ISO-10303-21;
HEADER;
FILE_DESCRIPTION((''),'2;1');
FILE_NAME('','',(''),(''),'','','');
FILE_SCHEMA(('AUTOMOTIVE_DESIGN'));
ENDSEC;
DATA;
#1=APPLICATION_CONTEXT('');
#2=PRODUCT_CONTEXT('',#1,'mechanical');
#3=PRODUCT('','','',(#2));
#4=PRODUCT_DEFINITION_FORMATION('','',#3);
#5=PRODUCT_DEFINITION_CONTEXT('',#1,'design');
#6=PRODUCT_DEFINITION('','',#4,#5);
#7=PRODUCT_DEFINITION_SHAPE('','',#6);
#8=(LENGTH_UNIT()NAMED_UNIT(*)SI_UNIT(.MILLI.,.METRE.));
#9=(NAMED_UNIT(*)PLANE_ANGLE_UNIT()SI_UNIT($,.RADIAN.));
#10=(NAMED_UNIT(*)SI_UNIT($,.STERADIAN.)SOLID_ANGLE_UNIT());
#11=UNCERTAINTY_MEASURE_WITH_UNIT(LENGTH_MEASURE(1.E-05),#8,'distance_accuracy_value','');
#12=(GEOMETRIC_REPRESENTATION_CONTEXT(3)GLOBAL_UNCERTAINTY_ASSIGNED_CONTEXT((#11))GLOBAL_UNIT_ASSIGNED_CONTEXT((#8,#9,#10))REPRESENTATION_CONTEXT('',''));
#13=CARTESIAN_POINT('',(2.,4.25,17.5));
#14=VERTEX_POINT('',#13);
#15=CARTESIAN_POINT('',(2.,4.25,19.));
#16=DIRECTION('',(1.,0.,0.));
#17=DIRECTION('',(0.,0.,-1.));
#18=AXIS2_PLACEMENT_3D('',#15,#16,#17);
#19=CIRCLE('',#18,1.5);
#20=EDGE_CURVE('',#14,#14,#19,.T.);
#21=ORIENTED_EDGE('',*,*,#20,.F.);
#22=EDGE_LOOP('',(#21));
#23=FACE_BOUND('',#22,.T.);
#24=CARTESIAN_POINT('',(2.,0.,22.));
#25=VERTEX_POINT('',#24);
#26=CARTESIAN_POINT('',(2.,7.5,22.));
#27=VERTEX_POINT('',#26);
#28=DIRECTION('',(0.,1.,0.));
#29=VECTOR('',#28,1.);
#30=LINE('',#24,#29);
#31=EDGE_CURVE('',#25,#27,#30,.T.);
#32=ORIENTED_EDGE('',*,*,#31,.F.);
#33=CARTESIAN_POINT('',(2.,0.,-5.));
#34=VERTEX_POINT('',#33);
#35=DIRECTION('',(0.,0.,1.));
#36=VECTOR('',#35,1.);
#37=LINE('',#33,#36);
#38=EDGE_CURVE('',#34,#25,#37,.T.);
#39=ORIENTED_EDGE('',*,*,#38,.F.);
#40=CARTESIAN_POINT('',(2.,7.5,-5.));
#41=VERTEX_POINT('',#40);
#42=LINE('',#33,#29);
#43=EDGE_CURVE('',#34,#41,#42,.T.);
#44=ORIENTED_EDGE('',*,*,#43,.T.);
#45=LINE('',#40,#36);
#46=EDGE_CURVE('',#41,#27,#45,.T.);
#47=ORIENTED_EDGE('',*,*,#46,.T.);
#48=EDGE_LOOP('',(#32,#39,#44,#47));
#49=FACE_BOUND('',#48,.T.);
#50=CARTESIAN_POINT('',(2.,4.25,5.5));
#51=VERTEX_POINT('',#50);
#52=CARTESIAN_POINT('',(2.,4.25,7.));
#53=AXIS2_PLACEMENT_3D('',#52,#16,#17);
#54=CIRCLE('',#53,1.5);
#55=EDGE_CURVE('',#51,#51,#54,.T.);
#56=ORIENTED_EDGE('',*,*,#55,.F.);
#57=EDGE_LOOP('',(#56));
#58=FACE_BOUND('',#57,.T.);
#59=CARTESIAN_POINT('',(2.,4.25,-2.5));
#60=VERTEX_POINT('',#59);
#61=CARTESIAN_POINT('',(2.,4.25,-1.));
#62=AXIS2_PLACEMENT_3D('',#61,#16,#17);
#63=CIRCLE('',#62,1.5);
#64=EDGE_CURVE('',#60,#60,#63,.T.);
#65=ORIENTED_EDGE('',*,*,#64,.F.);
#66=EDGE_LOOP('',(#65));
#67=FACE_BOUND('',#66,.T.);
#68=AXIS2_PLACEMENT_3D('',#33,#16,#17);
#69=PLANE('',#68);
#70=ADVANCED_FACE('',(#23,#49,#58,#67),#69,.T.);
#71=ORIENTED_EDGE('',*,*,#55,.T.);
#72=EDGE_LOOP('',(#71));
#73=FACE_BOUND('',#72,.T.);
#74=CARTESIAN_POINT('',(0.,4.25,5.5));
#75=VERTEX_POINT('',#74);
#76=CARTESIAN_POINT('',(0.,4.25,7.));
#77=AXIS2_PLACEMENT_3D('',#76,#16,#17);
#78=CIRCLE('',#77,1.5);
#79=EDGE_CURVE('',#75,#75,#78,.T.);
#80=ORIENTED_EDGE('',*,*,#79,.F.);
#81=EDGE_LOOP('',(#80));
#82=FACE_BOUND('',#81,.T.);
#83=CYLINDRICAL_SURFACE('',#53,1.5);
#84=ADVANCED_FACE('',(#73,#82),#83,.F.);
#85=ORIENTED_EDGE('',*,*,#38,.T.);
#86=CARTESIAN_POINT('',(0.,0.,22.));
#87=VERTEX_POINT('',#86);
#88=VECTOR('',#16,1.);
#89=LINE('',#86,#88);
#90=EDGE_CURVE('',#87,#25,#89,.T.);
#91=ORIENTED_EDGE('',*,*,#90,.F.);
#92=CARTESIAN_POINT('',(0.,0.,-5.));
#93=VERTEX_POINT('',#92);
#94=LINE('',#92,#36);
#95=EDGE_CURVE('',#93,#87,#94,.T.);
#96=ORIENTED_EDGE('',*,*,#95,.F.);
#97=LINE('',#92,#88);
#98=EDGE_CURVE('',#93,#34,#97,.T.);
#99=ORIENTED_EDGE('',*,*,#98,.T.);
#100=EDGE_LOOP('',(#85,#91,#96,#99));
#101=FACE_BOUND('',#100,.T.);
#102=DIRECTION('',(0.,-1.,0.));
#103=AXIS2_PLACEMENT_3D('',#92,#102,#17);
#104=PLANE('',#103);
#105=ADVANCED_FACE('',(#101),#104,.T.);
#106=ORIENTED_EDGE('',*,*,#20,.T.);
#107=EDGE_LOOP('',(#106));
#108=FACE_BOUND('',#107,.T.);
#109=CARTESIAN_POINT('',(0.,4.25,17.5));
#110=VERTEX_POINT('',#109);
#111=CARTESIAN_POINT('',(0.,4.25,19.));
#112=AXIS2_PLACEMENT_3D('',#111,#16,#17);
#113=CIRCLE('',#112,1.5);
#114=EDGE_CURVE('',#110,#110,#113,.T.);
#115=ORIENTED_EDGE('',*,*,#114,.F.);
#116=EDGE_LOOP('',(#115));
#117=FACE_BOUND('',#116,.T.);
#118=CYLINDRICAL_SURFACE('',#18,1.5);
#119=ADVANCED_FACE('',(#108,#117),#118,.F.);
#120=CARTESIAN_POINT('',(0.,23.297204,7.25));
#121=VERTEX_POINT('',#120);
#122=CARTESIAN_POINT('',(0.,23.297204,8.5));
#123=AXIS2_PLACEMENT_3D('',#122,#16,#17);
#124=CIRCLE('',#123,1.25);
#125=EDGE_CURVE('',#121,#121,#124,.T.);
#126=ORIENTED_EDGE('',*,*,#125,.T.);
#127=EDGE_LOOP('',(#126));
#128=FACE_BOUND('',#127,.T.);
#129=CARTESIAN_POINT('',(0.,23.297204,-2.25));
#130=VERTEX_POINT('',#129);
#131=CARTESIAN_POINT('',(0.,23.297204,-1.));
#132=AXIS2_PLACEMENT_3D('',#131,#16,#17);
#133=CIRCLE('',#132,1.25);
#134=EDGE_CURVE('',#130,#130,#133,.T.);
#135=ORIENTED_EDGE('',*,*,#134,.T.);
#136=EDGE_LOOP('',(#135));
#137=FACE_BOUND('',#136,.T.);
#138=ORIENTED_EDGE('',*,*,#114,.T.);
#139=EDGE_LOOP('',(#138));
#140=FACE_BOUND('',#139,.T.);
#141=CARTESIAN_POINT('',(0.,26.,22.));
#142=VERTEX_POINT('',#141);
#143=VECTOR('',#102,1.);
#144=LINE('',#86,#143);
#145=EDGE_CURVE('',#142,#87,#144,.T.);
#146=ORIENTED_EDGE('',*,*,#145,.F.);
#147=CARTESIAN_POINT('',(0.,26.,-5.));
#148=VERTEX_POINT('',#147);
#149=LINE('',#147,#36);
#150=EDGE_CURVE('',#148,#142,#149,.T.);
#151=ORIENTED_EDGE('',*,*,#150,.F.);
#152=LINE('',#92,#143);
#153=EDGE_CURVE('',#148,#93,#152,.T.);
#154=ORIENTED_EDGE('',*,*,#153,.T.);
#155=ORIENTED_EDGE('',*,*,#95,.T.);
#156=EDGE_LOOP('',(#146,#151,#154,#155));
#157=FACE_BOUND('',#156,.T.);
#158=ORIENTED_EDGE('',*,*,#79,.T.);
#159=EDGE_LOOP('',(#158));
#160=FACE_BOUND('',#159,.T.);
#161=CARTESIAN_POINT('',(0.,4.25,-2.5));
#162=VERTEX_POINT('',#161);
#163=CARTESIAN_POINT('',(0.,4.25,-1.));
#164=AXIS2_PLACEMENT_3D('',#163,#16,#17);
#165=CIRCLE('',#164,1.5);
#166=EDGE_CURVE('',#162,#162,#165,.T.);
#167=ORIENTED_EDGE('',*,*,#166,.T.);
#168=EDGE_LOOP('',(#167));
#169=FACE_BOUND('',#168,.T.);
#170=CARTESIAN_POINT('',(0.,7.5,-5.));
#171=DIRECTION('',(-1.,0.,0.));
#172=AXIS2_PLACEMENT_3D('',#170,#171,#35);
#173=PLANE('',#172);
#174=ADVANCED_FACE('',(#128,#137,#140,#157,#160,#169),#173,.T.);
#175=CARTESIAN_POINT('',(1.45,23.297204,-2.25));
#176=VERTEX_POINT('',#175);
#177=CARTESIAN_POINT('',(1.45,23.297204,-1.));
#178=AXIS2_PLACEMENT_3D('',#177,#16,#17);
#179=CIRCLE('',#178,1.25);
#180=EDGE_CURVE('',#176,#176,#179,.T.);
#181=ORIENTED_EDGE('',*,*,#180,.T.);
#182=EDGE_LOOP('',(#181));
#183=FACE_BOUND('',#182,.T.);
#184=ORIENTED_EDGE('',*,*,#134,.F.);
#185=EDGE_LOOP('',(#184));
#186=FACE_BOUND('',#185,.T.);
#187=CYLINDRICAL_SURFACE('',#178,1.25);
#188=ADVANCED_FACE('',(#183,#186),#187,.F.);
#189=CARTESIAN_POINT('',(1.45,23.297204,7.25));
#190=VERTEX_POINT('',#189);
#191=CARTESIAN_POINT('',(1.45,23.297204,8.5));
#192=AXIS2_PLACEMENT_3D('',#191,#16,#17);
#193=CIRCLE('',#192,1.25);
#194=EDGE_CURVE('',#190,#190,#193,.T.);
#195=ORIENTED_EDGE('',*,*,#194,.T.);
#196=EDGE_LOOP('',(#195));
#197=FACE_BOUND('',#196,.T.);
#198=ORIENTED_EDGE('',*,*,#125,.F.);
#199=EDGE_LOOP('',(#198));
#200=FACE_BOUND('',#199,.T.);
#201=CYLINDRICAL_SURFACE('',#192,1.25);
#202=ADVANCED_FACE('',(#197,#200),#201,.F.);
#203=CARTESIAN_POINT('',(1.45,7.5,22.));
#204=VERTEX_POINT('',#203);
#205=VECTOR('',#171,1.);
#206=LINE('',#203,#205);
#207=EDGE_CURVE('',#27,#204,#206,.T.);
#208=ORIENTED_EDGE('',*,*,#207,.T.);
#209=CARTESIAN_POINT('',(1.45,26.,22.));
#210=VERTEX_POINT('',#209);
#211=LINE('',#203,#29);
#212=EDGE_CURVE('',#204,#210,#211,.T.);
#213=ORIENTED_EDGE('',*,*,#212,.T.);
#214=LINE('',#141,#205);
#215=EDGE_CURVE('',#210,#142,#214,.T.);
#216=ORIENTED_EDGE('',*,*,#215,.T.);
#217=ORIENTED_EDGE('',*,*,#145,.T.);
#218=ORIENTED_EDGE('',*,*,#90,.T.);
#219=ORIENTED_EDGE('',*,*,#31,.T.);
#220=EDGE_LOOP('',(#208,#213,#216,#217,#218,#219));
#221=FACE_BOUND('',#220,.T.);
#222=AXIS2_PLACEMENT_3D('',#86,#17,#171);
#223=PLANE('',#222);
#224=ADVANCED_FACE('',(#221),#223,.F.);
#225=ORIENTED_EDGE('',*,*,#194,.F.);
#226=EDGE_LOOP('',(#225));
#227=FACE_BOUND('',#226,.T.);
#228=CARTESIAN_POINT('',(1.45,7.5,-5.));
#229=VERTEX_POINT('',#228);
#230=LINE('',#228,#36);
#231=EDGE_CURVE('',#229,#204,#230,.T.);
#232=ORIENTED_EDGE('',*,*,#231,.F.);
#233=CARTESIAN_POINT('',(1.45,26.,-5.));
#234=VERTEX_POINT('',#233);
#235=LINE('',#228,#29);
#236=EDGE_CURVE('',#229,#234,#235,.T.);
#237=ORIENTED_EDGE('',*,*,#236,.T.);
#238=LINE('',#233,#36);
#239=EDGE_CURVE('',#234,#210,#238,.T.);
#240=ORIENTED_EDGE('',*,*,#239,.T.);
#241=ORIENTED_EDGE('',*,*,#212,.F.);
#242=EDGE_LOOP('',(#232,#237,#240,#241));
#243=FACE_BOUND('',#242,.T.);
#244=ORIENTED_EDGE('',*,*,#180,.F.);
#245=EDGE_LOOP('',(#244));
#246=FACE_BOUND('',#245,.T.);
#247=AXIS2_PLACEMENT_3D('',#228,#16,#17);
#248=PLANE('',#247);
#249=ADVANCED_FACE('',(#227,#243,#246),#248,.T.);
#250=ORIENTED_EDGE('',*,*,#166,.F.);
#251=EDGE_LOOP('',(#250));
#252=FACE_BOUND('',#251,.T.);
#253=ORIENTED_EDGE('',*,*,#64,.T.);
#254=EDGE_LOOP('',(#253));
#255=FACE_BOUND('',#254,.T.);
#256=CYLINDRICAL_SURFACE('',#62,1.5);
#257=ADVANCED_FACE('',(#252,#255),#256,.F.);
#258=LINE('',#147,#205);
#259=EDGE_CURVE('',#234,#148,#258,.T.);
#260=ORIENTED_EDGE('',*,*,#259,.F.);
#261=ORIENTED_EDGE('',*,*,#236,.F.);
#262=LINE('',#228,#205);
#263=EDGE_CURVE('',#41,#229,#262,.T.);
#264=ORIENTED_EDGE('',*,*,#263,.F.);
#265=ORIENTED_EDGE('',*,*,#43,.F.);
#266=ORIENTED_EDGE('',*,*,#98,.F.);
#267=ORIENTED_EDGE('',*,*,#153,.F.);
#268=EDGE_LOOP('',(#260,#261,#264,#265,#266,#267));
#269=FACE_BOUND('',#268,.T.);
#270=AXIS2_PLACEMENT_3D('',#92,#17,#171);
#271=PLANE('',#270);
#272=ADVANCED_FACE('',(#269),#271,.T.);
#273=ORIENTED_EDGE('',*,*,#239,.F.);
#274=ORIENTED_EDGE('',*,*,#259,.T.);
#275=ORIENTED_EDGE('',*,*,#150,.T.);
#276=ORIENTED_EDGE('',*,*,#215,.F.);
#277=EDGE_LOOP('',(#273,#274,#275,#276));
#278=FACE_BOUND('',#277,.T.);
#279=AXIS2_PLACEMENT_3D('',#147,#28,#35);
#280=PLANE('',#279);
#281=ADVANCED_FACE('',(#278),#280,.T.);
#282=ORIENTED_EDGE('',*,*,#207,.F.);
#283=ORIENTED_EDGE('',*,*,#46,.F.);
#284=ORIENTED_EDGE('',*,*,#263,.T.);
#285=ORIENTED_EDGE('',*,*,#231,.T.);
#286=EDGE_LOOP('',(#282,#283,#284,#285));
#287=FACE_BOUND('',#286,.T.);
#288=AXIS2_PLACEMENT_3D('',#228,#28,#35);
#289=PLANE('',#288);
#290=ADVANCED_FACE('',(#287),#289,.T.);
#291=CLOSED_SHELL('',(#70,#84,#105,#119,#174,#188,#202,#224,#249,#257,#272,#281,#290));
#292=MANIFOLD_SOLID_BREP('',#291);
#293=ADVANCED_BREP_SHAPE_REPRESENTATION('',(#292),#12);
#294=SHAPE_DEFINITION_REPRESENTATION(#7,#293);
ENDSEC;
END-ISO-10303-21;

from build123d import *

# Parameters (mm, degrees)
BOSS_EXTRUDE1_DEPTH            = 22
BOSS_EXTRUDE1_DEPTH_BACK       = 5
TAP_DRILL_FOR_M3X0_5_TAP1_D    = 3
TAP_DRILL_FOR_M2_5X0_45_TAP1_D = 2.5


with BuildPart() as part:
    # Sketch1 → Boss-Extrude1 (new, two sides: drawn at the far end of the back side and taken through both)
    with BuildSketch(Plane.XY.offset(-BOSS_EXTRUDE1_DEPTH_BACK)):
        Polygon((0, 0), (2, 0), (2, 7.5), (1.45, 7.5), (1.45, 26), (0, 26), (0, 7.5), align=None)
    extrude(amount=BOSS_EXTRUDE1_DEPTH + BOSS_EXTRUDE1_DEPTH_BACK)

    # Tap Drill for M3x0.5 Tap1 (through all)
    with Locations(Plane(origin=(2, 0, 0), x_dir=(0, 0, -1), z_dir=(1, 0, 0))):
        with Locations((-7, 4.25), (-19, 4.25), (1, 4.25)):
            Hole(TAP_DRILL_FOR_M3X0_5_TAP1_D / 2)

    # Tap Drill for M2.5x0.45 Tap1 (through all)
    with Locations(Plane(origin=(1.45, 0, 0), x_dir=(0, 0, -1), z_dir=(1, 0, 0))):
        with Locations((1, 23.297203827), (-8.5, 23.297203827)):
            Hole(TAP_DRILL_FOR_M2_5X0_45_TAP1_D / 2)


solid = part.part
